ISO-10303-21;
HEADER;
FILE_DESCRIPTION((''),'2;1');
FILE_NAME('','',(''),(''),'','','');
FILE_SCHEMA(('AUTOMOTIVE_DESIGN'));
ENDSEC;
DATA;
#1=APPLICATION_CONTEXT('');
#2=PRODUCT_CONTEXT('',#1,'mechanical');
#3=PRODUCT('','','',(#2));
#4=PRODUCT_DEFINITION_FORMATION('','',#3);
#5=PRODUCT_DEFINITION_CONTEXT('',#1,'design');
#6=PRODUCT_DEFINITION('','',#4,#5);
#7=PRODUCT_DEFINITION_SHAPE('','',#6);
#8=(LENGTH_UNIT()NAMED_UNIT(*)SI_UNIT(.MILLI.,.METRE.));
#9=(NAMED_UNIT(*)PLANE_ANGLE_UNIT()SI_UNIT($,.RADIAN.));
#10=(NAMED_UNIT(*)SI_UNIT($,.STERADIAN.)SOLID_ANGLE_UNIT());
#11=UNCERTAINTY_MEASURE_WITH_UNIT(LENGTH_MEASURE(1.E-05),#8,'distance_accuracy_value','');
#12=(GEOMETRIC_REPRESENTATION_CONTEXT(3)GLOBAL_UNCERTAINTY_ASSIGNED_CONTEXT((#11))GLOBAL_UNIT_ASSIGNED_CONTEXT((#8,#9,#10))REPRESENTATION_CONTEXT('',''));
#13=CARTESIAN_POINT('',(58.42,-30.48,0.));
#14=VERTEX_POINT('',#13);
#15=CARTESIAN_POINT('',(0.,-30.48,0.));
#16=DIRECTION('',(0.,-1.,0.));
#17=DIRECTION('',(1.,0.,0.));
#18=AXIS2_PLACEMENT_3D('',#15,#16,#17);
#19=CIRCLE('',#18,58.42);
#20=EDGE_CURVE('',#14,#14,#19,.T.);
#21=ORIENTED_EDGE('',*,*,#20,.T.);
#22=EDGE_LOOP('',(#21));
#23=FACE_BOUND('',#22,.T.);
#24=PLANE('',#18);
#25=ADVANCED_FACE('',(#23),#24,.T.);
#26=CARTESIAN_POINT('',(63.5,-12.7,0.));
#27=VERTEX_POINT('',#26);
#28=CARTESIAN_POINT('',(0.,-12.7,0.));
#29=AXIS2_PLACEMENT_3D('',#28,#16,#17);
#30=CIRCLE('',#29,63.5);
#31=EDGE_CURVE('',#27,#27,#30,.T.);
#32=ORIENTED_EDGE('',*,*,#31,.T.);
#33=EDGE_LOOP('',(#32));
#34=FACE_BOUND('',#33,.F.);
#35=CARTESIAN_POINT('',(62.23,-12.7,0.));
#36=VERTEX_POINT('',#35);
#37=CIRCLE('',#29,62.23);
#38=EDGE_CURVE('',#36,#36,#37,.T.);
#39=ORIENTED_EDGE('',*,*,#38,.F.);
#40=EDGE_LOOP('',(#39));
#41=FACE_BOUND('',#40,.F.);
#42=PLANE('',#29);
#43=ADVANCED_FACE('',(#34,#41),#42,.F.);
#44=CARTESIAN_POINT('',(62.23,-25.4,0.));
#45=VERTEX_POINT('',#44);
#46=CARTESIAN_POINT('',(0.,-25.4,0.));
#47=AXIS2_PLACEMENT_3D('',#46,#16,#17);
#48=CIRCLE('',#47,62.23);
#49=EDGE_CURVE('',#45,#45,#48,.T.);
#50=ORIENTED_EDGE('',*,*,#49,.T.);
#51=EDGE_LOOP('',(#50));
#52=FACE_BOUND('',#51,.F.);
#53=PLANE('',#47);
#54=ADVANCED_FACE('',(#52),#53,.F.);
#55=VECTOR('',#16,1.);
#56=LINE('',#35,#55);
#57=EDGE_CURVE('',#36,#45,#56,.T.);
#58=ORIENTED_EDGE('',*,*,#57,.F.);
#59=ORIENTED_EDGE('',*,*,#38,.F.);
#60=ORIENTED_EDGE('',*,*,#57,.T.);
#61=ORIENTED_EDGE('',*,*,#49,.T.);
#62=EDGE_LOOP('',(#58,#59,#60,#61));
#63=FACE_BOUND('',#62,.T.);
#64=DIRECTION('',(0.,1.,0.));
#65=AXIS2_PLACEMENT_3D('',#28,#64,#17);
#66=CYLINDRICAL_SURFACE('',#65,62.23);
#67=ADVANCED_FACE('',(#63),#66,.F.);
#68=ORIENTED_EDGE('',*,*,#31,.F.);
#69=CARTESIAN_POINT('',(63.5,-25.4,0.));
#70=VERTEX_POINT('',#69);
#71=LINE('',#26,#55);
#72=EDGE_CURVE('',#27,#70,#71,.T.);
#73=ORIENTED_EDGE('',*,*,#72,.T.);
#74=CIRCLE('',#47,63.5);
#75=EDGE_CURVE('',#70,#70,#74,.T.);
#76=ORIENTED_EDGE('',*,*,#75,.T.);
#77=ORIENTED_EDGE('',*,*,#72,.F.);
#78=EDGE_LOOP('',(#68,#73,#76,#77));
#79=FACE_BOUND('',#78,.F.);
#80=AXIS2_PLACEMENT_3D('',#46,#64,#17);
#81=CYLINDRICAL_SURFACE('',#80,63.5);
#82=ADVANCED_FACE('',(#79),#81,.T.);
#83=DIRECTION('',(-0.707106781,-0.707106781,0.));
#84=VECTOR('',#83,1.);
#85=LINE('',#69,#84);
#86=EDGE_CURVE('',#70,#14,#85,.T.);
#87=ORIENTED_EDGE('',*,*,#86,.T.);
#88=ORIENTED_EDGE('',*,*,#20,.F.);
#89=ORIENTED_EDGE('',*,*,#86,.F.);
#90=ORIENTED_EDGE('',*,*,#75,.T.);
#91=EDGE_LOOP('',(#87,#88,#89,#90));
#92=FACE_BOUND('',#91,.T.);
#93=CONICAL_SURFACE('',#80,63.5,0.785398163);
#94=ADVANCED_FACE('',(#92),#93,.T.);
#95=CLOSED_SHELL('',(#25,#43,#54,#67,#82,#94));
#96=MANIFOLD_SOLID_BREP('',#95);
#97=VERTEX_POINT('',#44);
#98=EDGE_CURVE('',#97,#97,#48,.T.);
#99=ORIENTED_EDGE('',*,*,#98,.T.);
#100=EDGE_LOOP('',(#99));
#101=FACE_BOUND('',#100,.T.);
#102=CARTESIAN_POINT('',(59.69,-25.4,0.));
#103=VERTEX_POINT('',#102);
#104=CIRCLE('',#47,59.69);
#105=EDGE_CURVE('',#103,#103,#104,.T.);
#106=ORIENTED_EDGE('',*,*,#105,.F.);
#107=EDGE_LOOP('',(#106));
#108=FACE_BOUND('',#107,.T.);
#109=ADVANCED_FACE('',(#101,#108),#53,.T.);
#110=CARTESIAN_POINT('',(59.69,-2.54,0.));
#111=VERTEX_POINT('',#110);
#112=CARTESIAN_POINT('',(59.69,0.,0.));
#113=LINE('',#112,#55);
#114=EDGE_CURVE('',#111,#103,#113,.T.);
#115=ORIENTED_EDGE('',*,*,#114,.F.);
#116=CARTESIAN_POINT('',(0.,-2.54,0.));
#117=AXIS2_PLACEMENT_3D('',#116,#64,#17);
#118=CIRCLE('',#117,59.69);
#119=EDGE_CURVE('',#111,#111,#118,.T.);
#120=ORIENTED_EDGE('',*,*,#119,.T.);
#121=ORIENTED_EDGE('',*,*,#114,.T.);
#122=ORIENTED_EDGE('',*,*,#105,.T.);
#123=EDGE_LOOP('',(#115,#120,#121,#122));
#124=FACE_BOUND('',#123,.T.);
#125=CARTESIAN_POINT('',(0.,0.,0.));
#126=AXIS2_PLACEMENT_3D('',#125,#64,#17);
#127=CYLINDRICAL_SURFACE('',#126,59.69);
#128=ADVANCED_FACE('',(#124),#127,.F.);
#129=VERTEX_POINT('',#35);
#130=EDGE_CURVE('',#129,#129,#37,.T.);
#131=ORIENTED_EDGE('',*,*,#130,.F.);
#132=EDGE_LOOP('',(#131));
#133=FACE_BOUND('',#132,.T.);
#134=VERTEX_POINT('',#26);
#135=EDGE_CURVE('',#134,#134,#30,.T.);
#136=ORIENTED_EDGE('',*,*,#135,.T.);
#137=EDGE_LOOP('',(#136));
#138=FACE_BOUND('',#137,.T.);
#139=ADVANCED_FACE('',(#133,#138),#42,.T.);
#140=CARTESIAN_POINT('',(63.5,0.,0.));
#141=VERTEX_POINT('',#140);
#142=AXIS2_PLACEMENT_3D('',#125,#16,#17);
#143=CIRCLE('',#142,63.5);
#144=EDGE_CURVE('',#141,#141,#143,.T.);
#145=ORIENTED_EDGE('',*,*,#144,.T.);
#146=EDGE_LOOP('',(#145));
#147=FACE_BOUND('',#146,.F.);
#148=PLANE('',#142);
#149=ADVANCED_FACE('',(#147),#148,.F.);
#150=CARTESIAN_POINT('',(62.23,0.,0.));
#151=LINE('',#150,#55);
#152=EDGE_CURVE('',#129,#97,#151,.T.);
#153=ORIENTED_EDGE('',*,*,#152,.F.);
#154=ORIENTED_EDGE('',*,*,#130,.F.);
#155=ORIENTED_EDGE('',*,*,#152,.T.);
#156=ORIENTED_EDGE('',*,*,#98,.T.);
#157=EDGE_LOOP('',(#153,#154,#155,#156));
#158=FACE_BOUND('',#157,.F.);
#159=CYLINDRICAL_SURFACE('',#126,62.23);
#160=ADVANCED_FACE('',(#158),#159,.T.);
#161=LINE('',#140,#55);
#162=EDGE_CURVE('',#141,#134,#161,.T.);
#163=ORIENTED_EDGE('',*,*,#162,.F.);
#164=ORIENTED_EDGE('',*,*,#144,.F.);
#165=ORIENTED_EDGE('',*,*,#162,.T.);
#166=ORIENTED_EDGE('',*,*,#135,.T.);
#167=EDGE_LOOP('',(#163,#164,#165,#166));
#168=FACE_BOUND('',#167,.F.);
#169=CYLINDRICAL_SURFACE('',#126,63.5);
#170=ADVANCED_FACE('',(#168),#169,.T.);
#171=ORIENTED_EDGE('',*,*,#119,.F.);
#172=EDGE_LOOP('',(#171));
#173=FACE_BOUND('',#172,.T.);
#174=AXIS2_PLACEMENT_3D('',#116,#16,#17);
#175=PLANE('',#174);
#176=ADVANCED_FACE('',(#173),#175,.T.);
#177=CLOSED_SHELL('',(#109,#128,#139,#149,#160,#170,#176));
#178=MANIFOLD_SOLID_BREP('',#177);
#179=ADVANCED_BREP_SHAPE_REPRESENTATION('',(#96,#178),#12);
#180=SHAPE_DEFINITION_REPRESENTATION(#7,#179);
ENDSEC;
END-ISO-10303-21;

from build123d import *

# Parameters (mm, degrees)
F0_R     = 62.23
F5_DEPTH = 25.4
F1_T     = -2.54
F0_R_2   = 63.5
F6_DEPTH = 12.7
F2_DEPTH = 12.7
F7_R     = 63.5
F3_DEPTH = 5.08
F4_SIZE  = 5.08


with BuildPart() as f5:
    # F0 (on Front) → F5 (new body)
    with BuildSketch(Plane.XZ):
        Circle(F0_R)
    extrude(amount=F5_DEPTH)

    # F1
    f1_openings = [f5.faces().sort_by_distance(p)[0] for p in [
        (0, -25.4, 0),
    ]]
    offset(amount=F1_T, openings=f1_openings)

    # F0 (on Front) → F6 (join)
    with BuildSketch(Plane.XZ):
        Circle(F0_R_2)
        Circle(F0_R, mode=Mode.SUBTRACT)
    extrude(amount=F6_DEPTH)


with BuildPart() as f2:
    # F2 (new): a face of the model
    f2_faces = [f5.part.faces().sort_by_distance(p)[0] for p in [
        (-63.3203948776, -12.7, 0),
    ]]
    extrude(f2_faces, amount=F2_DEPTH)

    # F7 (on face) → F3 (join)
    with BuildSketch(Plane.XZ.offset(25.4)):
        Circle(F7_R)
    extrude(amount=F3_DEPTH)

    # F4
    f4_edges = [f2.edges().sort_by_distance(p)[0] for p in [
        (-63.5, -30.48, 0),
    ]]
    chamfer(f4_edges, length=F4_SIZE)


solid = Compound([f5.part, f2.part])
